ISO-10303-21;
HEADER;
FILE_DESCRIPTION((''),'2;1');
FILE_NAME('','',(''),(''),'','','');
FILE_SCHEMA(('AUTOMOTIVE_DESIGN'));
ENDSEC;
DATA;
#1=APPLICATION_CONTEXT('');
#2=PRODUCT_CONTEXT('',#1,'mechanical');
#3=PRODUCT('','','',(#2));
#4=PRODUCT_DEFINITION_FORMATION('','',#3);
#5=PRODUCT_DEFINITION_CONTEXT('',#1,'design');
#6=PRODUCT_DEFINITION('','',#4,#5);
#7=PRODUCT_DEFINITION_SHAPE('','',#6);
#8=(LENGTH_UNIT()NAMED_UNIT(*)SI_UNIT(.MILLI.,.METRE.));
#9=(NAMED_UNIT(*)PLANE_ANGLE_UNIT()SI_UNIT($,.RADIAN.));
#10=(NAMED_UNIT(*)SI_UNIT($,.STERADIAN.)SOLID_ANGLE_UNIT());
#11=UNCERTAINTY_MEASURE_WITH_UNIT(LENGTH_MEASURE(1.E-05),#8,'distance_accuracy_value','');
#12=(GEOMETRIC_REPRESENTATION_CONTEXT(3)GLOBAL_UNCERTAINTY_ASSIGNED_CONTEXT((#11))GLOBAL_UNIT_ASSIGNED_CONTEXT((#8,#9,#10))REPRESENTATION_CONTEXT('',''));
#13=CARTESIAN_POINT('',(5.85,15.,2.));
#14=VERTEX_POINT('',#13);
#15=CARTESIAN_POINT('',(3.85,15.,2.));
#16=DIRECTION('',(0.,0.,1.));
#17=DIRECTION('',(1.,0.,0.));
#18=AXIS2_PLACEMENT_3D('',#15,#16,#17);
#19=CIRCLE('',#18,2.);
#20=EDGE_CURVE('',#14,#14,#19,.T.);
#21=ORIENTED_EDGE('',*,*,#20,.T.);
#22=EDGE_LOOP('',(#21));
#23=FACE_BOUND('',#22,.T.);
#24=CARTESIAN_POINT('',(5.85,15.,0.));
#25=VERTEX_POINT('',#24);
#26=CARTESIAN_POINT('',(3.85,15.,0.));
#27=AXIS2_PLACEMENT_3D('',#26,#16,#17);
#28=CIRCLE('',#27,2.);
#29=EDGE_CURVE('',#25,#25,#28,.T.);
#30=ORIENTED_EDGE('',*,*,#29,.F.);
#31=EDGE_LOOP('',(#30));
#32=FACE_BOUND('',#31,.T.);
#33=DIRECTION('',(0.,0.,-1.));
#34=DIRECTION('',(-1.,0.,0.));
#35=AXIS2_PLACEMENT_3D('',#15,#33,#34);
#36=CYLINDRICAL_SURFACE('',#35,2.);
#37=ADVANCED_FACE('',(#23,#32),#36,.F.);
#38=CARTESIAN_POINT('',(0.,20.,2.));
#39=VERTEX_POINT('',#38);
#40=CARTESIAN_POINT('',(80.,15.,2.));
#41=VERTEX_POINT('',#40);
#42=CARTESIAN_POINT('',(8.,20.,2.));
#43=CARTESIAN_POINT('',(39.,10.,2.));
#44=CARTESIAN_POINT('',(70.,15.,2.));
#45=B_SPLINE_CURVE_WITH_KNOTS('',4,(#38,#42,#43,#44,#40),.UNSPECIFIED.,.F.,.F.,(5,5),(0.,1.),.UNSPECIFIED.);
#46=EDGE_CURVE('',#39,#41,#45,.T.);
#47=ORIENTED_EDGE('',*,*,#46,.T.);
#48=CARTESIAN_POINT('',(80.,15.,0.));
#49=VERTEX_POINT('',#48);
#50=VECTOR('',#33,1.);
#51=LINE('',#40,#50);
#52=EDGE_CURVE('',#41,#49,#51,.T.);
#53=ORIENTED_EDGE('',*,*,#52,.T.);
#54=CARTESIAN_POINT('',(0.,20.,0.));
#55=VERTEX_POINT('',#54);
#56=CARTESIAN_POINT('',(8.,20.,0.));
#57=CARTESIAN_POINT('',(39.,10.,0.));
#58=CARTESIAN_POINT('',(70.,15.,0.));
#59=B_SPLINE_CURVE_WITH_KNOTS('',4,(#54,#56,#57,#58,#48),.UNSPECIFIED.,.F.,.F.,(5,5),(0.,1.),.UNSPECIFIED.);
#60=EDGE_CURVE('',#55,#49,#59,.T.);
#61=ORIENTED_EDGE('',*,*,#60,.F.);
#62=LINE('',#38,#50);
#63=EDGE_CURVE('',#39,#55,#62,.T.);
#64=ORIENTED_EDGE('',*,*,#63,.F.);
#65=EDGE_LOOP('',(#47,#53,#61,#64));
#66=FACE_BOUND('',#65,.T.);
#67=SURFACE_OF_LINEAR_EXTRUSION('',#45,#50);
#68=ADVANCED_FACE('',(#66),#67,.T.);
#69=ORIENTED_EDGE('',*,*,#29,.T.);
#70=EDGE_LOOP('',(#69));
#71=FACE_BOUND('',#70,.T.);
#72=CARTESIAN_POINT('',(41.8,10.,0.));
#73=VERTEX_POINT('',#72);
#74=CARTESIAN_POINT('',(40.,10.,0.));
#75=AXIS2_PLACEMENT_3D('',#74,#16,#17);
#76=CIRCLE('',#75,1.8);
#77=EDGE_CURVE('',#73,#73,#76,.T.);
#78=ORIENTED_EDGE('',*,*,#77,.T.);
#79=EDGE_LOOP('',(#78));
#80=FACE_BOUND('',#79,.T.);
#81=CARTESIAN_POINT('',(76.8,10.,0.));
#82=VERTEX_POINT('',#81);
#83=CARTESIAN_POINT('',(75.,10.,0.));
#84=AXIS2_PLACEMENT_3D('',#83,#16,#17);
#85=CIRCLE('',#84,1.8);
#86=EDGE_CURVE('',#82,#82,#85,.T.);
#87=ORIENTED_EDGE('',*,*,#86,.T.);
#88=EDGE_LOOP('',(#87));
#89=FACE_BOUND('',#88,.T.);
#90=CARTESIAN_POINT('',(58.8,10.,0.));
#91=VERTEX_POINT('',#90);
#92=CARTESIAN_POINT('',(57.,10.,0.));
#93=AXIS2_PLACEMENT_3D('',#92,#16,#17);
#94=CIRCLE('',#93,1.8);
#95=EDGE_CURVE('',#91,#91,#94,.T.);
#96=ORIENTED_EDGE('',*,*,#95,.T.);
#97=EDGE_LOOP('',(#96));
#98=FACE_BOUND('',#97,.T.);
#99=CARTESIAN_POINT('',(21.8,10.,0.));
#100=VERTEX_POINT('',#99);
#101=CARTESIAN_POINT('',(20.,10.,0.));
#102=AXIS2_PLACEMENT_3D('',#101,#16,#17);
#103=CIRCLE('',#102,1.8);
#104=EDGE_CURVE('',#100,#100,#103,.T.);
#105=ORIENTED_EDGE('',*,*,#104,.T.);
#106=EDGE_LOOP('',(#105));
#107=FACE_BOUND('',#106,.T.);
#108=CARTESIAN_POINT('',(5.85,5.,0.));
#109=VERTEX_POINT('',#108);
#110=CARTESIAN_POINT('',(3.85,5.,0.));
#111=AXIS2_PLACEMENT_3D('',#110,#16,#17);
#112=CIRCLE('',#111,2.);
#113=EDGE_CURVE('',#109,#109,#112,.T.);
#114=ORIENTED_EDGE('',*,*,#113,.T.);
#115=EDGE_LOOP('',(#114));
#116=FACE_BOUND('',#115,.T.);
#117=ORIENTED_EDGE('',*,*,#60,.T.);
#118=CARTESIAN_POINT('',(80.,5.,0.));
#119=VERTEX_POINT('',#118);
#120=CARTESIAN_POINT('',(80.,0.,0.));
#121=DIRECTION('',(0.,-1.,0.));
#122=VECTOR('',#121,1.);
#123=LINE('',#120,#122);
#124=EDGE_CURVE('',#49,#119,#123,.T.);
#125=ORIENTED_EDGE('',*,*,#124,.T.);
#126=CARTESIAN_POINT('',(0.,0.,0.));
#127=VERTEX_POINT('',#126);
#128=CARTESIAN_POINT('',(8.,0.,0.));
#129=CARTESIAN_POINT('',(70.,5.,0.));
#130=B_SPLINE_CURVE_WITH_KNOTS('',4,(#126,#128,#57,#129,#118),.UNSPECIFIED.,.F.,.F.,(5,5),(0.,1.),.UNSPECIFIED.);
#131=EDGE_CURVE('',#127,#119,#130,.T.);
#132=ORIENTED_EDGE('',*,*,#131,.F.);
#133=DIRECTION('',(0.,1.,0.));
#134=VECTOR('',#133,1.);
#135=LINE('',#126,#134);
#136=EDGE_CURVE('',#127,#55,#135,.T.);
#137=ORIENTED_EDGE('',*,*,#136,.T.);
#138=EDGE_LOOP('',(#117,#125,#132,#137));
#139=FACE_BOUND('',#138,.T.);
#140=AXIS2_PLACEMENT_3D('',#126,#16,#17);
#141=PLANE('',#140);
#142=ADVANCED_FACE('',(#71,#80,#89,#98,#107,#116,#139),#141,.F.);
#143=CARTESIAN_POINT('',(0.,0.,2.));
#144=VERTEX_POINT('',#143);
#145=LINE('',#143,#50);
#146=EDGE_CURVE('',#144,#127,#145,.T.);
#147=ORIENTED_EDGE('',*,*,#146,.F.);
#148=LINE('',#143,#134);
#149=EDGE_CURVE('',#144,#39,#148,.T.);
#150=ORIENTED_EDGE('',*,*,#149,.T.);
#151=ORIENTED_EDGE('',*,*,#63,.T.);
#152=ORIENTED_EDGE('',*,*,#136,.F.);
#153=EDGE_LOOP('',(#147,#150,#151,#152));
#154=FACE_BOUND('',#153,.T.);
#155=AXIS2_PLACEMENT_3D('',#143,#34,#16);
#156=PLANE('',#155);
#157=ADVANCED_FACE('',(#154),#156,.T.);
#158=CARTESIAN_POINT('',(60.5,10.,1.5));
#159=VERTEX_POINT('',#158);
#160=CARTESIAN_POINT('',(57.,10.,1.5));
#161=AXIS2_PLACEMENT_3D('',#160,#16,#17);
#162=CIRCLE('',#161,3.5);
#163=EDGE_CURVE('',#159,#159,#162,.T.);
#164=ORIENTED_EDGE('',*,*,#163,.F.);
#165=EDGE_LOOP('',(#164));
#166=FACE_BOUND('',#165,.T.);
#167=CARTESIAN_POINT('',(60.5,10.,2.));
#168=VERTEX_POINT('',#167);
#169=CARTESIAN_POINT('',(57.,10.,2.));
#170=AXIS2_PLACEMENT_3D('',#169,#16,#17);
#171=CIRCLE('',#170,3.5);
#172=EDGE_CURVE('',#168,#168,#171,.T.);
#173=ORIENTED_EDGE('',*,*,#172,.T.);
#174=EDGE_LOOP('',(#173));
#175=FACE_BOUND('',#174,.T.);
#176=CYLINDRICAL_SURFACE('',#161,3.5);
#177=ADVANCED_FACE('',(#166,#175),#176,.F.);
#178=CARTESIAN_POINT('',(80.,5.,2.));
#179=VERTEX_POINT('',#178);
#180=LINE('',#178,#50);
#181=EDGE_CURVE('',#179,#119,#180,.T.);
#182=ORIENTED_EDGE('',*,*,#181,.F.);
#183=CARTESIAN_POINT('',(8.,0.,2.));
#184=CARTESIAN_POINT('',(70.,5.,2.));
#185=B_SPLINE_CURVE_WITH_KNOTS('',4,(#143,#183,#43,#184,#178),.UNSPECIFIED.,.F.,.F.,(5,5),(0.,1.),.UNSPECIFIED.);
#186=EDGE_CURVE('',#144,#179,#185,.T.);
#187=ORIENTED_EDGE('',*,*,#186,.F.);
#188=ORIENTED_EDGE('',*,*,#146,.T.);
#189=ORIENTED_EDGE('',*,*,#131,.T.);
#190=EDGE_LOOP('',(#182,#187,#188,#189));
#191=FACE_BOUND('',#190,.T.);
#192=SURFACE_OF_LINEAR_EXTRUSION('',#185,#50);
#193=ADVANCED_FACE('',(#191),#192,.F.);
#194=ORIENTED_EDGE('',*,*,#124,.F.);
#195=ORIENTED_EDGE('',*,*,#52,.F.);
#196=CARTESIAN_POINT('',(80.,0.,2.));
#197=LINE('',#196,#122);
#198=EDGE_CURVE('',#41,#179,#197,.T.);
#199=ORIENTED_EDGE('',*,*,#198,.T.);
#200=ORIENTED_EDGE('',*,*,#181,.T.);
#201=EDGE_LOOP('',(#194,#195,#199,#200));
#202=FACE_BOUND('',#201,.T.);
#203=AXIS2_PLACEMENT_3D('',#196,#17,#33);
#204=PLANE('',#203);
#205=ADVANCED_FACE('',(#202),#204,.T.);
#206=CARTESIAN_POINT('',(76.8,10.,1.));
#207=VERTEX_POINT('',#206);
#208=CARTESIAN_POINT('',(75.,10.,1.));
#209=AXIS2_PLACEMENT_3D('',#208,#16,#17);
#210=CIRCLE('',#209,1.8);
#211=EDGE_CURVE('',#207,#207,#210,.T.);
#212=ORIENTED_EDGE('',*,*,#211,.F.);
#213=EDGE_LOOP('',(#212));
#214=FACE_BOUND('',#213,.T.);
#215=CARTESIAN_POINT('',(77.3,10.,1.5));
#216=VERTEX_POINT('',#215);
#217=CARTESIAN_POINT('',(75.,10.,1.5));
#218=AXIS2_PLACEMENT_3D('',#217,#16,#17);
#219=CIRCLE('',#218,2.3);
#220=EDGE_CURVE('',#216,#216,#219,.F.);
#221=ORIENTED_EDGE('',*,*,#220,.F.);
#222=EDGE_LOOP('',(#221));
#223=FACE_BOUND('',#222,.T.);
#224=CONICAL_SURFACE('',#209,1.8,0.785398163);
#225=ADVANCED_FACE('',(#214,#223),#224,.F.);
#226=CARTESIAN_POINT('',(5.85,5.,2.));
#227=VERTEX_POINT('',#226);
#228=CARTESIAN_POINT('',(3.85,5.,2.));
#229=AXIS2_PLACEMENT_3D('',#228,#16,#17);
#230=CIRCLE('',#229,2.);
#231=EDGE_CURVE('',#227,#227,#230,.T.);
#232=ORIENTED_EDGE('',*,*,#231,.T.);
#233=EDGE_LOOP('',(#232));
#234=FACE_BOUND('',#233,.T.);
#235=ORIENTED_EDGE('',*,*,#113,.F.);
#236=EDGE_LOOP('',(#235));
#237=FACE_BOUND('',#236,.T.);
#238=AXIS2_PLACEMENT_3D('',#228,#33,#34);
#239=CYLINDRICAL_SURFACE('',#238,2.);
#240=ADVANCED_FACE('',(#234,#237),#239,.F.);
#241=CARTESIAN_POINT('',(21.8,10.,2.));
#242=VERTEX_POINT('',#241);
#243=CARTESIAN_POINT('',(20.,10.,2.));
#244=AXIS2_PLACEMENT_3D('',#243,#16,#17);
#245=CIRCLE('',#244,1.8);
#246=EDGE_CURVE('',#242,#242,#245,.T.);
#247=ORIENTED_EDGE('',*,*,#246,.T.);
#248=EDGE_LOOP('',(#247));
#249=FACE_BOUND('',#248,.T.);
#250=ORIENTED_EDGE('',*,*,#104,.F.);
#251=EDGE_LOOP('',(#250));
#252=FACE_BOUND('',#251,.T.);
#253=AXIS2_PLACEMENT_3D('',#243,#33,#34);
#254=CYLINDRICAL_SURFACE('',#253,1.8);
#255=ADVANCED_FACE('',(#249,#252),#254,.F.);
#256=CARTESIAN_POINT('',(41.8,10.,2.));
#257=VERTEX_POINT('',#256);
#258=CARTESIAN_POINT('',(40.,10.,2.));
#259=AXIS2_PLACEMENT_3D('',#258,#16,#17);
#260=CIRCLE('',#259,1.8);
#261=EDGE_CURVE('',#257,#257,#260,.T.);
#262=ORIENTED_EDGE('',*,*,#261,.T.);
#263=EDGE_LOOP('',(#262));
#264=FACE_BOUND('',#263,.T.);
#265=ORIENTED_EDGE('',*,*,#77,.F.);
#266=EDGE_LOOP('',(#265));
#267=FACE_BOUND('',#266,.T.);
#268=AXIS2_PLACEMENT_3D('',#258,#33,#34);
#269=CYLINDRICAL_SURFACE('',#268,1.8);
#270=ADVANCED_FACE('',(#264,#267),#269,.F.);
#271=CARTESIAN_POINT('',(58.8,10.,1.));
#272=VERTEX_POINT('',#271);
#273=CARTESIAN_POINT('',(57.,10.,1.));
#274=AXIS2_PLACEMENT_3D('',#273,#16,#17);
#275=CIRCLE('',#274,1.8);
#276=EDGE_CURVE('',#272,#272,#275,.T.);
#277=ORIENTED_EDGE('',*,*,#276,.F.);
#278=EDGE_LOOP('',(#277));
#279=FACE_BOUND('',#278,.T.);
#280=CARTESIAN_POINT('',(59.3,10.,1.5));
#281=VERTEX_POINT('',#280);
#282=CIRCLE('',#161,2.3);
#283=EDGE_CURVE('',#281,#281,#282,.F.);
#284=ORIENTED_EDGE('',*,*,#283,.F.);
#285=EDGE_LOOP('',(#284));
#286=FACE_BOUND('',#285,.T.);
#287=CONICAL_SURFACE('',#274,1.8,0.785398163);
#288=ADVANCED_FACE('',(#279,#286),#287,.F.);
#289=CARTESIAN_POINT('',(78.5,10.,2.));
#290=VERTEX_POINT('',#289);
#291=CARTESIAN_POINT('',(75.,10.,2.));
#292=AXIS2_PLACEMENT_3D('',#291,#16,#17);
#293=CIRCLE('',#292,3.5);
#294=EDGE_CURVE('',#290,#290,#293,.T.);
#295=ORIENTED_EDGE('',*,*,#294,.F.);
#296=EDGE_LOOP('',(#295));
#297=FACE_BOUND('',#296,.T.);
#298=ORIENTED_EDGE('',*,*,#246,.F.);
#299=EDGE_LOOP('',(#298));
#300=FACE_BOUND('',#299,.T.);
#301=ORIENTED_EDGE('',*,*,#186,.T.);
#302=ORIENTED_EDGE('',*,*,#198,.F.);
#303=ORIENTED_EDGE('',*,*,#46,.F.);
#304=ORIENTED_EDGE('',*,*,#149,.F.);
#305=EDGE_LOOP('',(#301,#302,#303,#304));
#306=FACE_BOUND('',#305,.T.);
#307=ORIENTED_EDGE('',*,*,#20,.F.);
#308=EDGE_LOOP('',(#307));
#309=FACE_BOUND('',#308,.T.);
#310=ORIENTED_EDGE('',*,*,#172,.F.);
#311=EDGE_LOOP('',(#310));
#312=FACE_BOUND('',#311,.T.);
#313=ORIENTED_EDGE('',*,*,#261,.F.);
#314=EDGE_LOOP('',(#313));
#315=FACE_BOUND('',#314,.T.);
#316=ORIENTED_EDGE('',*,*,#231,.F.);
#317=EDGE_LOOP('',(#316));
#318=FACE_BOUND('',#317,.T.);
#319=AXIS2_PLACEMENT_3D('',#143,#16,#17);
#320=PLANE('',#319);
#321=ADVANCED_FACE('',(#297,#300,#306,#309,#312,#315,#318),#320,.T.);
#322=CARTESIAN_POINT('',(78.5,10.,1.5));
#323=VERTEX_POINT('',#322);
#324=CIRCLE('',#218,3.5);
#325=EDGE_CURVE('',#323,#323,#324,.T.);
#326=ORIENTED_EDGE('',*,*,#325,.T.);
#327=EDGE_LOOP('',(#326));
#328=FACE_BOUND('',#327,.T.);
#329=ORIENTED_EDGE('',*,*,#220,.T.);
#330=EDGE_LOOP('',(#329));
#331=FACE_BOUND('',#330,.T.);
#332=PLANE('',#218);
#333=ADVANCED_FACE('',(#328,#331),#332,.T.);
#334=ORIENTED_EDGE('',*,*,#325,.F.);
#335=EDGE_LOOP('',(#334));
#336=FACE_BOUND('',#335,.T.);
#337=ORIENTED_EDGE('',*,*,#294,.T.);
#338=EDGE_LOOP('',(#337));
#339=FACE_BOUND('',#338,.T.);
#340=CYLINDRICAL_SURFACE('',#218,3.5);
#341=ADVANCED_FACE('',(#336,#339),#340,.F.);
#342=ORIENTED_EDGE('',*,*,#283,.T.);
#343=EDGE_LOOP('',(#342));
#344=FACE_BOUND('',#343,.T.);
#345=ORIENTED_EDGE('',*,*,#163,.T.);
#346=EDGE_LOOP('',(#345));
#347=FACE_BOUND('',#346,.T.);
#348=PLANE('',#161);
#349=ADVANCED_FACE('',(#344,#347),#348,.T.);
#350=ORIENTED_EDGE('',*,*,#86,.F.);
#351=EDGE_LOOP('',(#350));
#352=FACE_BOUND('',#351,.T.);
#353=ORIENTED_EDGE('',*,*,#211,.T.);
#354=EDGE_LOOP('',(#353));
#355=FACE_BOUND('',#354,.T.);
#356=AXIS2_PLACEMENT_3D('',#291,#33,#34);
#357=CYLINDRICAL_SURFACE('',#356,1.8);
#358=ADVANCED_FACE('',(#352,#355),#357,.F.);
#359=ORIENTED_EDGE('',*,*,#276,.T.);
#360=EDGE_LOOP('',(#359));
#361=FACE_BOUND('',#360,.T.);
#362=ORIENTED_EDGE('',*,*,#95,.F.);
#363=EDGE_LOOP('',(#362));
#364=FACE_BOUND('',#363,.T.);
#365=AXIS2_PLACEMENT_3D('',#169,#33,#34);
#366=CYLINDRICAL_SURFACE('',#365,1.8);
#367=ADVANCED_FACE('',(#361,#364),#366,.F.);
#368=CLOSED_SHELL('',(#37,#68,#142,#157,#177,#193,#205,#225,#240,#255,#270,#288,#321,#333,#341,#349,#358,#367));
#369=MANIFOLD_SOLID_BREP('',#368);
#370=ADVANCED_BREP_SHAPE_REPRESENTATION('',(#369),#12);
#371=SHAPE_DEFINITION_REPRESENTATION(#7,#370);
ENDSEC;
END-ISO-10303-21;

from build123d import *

# Parameters (mm, degrees)
ESQUISSE1_R             = 2
ESQUISSE1_R_2           = 1.8
BOSS_EXTRU_1_DEPTH      = 2
ESQUISSE3_R             = 3.5
ENL_V_MAT_EXTRU_1_DEPTH = 0.5
CHANFREIN1_SIZE         = 0.5


with BuildPart() as part:
    # Esquisse1 → Boss.-Extru.1 (new body)
    with BuildSketch(Plane.XY):
        with BuildLine():
            Line((0, 0), (0, 20))
            add(Edge.make_bspline(
                [(0, 20), (8, 20), (39, 10), (70, 15), (80, 15)],
                knots=[0, 0, 0, 0, 0, 1, 1, 1, 1, 1], degree=4))
            Line((80, 15), (80, 5))
            add(Edge.make_bspline(
                [(0, 0), (8, 0), (39, 10), (70, 5), (80, 5)],
                knots=[0, 0, 0, 0, 0, 1, 1, 1, 1, 1], degree=4))
        make_face()
        with Locations((3.85, 15)):
            Circle(ESQUISSE1_R, mode=Mode.SUBTRACT)
        with Locations((3.85, 5)):
            Circle(ESQUISSE1_R, mode=Mode.SUBTRACT)
        with Locations((57, 10)):
            Circle(ESQUISSE1_R_2, mode=Mode.SUBTRACT)
        with Locations((75, 10)):
            Circle(ESQUISSE1_R_2, mode=Mode.SUBTRACT)
        with Locations((20, 10)):
            Circle(ESQUISSE1_R_2, mode=Mode.SUBTRACT)
        with Locations((40, 10)):
            Circle(ESQUISSE1_R_2, mode=Mode.SUBTRACT)
    extrude(amount=BOSS_EXTRU_1_DEPTH)

    # Esquisse3 → Enlèv. mat.-Extru.1 (cut)
    with BuildSketch(Plane.XY.offset(2)):
        with Locations((57, 10)):
            Circle(ESQUISSE3_R)
        with Locations((75, 10)):
            Circle(ESQUISSE3_R)
    extrude(amount=-ENL_V_MAT_EXTRU_1_DEPTH, mode=Mode.SUBTRACT)

    # Chanfrein1
    chanfrein1_edges = [part.edges().sort_by_distance(p)[0] for p in [
        (55.2, 10, 1.5),
        (73.2, 10, 1.5),
    ]]
    chamfer(chanfrein1_edges, length=CHANFREIN1_SIZE)


solid = part.part
